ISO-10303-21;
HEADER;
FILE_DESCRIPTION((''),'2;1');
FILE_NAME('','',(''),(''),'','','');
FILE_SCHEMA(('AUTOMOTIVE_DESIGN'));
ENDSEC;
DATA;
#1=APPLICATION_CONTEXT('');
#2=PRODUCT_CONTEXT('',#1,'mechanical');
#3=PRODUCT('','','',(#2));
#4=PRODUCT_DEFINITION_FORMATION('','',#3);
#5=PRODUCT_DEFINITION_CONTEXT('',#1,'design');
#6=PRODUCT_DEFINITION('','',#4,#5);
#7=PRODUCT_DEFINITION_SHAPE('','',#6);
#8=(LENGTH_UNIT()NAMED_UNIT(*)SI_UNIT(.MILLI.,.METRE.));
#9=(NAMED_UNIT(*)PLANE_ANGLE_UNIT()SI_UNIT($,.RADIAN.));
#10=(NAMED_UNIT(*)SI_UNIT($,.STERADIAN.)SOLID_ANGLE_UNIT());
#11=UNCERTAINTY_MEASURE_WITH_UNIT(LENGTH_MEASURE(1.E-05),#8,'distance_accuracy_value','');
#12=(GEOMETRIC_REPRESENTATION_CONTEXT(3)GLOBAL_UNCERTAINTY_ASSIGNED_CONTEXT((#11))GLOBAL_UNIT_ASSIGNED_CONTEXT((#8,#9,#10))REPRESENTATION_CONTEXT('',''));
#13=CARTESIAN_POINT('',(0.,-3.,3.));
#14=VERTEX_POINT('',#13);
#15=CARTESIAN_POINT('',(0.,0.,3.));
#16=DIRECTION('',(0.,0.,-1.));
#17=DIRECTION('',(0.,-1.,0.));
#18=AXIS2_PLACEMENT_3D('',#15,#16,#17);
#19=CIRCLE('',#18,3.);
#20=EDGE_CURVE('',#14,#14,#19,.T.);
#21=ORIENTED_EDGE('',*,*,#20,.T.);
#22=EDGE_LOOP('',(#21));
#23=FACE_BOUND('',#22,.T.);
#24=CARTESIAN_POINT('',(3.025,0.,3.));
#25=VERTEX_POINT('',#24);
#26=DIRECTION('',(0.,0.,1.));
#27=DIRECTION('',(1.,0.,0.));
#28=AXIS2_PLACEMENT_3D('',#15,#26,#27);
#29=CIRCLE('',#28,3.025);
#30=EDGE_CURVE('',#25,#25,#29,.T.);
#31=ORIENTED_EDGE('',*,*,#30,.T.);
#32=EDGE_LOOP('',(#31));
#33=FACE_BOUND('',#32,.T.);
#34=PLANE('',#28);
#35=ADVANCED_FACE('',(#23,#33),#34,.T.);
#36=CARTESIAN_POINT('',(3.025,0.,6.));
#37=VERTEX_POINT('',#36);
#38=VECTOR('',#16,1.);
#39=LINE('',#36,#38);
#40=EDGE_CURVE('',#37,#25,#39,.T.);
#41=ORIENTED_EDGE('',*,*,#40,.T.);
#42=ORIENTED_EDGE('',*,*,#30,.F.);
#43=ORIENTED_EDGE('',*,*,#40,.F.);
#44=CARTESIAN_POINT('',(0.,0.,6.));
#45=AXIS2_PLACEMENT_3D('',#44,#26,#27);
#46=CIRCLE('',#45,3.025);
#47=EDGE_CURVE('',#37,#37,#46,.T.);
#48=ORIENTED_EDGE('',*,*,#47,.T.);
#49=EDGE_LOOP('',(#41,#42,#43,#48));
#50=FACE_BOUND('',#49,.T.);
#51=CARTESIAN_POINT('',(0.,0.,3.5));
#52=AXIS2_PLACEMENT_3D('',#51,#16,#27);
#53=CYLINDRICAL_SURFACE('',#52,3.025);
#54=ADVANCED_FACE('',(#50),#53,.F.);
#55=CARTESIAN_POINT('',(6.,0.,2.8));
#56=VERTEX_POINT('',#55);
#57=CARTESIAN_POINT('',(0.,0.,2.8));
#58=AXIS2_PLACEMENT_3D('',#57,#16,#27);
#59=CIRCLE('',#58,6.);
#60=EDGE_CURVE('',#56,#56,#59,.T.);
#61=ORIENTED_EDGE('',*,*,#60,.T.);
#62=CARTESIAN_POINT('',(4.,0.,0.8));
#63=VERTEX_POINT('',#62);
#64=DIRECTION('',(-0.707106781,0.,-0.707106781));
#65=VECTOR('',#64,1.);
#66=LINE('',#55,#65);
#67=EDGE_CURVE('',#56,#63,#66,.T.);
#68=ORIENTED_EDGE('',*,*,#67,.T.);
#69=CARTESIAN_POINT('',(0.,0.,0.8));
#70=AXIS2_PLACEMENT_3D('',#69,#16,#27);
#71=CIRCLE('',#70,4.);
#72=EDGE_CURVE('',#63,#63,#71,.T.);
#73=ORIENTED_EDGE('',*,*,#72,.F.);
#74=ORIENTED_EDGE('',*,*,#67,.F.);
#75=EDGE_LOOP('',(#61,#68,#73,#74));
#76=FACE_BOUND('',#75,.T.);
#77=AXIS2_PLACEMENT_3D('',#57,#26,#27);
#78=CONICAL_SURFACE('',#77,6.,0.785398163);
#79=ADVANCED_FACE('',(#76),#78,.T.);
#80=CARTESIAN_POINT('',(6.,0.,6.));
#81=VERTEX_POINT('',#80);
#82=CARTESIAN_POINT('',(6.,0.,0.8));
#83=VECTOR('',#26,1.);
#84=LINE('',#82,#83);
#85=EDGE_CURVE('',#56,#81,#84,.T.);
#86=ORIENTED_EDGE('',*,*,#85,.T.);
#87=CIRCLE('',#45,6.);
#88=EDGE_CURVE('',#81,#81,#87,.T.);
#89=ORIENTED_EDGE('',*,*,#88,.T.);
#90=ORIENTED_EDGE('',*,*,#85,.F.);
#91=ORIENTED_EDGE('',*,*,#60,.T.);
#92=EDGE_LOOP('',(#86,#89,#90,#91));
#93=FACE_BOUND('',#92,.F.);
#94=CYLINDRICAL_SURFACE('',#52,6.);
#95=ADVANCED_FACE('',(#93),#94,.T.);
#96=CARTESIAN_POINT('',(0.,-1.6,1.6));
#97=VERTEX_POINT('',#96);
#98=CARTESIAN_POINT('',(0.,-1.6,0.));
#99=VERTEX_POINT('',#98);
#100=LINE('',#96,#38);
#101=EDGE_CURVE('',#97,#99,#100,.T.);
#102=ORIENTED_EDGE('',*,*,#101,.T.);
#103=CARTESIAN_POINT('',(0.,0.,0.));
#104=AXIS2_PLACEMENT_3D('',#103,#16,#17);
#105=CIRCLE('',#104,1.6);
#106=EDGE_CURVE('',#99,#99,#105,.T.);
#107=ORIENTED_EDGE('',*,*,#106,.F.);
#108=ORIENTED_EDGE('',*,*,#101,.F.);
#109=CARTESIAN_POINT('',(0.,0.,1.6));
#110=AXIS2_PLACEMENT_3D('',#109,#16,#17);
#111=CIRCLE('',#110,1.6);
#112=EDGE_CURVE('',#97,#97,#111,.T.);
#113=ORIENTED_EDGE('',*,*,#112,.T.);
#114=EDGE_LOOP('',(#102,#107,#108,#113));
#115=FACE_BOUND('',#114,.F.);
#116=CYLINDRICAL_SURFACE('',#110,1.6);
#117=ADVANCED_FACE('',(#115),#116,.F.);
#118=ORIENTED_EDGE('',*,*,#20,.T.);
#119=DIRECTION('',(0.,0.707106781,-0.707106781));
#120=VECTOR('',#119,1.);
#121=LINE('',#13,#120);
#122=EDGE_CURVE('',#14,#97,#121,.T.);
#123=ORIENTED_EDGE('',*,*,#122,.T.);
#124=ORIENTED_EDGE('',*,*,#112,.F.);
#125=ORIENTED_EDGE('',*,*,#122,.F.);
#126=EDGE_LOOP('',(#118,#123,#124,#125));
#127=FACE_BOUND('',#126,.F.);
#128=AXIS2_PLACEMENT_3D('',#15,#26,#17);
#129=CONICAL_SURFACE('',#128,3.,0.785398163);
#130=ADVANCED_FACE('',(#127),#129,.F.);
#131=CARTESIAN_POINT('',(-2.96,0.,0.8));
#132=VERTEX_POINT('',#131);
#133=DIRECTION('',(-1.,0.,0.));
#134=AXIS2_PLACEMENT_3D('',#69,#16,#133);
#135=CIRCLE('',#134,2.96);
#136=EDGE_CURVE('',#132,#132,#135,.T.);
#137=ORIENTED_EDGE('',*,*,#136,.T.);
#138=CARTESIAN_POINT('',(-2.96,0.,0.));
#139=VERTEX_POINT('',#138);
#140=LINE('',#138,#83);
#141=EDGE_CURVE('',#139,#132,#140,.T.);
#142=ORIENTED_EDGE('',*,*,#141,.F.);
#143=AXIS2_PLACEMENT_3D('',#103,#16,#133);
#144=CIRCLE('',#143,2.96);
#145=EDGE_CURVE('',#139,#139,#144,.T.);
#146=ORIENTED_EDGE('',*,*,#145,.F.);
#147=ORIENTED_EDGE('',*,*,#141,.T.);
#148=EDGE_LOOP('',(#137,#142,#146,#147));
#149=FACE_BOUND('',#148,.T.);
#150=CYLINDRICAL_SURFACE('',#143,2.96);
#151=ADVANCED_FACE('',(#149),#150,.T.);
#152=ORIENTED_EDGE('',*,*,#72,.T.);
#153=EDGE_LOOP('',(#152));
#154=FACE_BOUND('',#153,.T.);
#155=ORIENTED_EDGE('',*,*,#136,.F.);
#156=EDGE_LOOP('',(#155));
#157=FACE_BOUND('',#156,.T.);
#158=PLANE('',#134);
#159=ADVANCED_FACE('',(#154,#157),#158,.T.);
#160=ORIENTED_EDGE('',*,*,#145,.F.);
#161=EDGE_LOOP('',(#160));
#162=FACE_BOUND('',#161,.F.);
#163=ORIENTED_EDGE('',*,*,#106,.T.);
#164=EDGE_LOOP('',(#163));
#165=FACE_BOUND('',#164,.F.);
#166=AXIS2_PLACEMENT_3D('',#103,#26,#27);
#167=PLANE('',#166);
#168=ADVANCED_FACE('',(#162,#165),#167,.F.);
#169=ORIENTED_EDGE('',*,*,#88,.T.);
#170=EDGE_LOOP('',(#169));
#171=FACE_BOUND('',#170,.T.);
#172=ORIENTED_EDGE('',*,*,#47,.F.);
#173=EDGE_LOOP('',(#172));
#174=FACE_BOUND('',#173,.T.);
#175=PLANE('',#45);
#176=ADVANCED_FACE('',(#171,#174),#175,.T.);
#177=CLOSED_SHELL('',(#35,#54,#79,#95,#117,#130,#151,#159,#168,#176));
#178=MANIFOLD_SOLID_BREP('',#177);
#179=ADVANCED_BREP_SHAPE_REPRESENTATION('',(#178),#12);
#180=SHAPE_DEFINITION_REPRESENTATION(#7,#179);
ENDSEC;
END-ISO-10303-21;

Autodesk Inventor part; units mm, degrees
ref_plane "YZ Plane" through (0, 0, 0) normal (1, 0, 0) x (0, 1, 0)
ref_plane "XZ Plane" through (0, 0, 0) normal (0, 1, 0) x (-1, 0, 0)
ref_plane "XY Plane" through (0, 0, 0) normal (0, 0, 1) x (1, 0, 0)
sketch "Sketch1" plane through (0, 0, 0) normal (0, 0, 1) x (1, 0, 0)
  circle A0 centre (0, 0) radius 6
  dimension "d0" = 12
extrude "Extrusion1" add sketch "Sketch1" along normal blind 3.5
sketch "Sketch2" plane through (0, 0, 3.5) normal (0, 0, 1) x (1, 0, 0)
  circle A0 centre (0, 0) radius 1.55
  dimension "d3" = 3.1
extrude "Extrusion2" cut sketch "Sketch2" against normal through all
sketch "Sketch3" plane through (0, 0, 0) normal (0, 0, -1) x (-1, 0, 0)
  circle A0 centre (0, 0) radius 2.96
  circle A1 centre (0, 0) radius 7.5
  dimension "d6" = 5.92
  dimension "d16" = 15
extrude "Extrusion3" cut sketch "Sketch3" against normal blind 0.8
sketch "Sketch4" plane through (0, 0, 3.5) normal (0, 0, 1) x (1, 0, 0)
  circle A0 centre (0, 0) radius 2.5
  dimension "d9" = 5
extrude "Extrusion4" cut sketch "Sketch4" against normal blind 1.5
sketch "Sketch5" plane through (0, 0, 3.5) normal (0, 0, 1) x (1, 0, 0)
  circle A0 centre (0, 0) radius 6
  circle A1 centre (0, 0) radius 2.5 projected
  circle A2 centre (0, 0) radius 3.025
  circle A3 centre (0, 0) radius 6 projected
  dimension "d12" = 6.05
  dimension "d15" = 0
extrude "Extrusion5" add sketch "Sketch5" along normal blind 2.5 contours A0
chamfer "Chamfer1" distance 2 angle 45 1 edges at (-6, 0, 0.8)
sketch "Sketch6" plane through (0, 0, 3.5) normal (0, 0, 1) x (1, 0, 0)
  circle A0 centre (0, 0) radius 3.025 projected
  circle A1 centre (0, 0) radius 2.5 projected
extrude "Extrusion6" cut sketch "Sketch6" against normal up to surface (1.5 mm away)
sketch "Sketch7" plane through (0, 0, 2) normal (0, 0, 1) x (1, 0, 0)
  circle A0 centre (0, 0) radius 3.025 projected
  circle A1 centre (0, 0) radius 1.55 projected
extrude "Extrusion7" add sketch "Sketch7" along normal blind 1
sketch "Sketch8" plane through (0, 0, 3) normal (0, 0, 1) x (1, 0, 0)
  point P0 (0, 0)
hole "Hole1" at (0, 0, 3) direction (0, 0, -1) diameter 3.2 end through all countersink diameter 6 countersink angle 90
properties part number "motor_and_magnet_holder"
